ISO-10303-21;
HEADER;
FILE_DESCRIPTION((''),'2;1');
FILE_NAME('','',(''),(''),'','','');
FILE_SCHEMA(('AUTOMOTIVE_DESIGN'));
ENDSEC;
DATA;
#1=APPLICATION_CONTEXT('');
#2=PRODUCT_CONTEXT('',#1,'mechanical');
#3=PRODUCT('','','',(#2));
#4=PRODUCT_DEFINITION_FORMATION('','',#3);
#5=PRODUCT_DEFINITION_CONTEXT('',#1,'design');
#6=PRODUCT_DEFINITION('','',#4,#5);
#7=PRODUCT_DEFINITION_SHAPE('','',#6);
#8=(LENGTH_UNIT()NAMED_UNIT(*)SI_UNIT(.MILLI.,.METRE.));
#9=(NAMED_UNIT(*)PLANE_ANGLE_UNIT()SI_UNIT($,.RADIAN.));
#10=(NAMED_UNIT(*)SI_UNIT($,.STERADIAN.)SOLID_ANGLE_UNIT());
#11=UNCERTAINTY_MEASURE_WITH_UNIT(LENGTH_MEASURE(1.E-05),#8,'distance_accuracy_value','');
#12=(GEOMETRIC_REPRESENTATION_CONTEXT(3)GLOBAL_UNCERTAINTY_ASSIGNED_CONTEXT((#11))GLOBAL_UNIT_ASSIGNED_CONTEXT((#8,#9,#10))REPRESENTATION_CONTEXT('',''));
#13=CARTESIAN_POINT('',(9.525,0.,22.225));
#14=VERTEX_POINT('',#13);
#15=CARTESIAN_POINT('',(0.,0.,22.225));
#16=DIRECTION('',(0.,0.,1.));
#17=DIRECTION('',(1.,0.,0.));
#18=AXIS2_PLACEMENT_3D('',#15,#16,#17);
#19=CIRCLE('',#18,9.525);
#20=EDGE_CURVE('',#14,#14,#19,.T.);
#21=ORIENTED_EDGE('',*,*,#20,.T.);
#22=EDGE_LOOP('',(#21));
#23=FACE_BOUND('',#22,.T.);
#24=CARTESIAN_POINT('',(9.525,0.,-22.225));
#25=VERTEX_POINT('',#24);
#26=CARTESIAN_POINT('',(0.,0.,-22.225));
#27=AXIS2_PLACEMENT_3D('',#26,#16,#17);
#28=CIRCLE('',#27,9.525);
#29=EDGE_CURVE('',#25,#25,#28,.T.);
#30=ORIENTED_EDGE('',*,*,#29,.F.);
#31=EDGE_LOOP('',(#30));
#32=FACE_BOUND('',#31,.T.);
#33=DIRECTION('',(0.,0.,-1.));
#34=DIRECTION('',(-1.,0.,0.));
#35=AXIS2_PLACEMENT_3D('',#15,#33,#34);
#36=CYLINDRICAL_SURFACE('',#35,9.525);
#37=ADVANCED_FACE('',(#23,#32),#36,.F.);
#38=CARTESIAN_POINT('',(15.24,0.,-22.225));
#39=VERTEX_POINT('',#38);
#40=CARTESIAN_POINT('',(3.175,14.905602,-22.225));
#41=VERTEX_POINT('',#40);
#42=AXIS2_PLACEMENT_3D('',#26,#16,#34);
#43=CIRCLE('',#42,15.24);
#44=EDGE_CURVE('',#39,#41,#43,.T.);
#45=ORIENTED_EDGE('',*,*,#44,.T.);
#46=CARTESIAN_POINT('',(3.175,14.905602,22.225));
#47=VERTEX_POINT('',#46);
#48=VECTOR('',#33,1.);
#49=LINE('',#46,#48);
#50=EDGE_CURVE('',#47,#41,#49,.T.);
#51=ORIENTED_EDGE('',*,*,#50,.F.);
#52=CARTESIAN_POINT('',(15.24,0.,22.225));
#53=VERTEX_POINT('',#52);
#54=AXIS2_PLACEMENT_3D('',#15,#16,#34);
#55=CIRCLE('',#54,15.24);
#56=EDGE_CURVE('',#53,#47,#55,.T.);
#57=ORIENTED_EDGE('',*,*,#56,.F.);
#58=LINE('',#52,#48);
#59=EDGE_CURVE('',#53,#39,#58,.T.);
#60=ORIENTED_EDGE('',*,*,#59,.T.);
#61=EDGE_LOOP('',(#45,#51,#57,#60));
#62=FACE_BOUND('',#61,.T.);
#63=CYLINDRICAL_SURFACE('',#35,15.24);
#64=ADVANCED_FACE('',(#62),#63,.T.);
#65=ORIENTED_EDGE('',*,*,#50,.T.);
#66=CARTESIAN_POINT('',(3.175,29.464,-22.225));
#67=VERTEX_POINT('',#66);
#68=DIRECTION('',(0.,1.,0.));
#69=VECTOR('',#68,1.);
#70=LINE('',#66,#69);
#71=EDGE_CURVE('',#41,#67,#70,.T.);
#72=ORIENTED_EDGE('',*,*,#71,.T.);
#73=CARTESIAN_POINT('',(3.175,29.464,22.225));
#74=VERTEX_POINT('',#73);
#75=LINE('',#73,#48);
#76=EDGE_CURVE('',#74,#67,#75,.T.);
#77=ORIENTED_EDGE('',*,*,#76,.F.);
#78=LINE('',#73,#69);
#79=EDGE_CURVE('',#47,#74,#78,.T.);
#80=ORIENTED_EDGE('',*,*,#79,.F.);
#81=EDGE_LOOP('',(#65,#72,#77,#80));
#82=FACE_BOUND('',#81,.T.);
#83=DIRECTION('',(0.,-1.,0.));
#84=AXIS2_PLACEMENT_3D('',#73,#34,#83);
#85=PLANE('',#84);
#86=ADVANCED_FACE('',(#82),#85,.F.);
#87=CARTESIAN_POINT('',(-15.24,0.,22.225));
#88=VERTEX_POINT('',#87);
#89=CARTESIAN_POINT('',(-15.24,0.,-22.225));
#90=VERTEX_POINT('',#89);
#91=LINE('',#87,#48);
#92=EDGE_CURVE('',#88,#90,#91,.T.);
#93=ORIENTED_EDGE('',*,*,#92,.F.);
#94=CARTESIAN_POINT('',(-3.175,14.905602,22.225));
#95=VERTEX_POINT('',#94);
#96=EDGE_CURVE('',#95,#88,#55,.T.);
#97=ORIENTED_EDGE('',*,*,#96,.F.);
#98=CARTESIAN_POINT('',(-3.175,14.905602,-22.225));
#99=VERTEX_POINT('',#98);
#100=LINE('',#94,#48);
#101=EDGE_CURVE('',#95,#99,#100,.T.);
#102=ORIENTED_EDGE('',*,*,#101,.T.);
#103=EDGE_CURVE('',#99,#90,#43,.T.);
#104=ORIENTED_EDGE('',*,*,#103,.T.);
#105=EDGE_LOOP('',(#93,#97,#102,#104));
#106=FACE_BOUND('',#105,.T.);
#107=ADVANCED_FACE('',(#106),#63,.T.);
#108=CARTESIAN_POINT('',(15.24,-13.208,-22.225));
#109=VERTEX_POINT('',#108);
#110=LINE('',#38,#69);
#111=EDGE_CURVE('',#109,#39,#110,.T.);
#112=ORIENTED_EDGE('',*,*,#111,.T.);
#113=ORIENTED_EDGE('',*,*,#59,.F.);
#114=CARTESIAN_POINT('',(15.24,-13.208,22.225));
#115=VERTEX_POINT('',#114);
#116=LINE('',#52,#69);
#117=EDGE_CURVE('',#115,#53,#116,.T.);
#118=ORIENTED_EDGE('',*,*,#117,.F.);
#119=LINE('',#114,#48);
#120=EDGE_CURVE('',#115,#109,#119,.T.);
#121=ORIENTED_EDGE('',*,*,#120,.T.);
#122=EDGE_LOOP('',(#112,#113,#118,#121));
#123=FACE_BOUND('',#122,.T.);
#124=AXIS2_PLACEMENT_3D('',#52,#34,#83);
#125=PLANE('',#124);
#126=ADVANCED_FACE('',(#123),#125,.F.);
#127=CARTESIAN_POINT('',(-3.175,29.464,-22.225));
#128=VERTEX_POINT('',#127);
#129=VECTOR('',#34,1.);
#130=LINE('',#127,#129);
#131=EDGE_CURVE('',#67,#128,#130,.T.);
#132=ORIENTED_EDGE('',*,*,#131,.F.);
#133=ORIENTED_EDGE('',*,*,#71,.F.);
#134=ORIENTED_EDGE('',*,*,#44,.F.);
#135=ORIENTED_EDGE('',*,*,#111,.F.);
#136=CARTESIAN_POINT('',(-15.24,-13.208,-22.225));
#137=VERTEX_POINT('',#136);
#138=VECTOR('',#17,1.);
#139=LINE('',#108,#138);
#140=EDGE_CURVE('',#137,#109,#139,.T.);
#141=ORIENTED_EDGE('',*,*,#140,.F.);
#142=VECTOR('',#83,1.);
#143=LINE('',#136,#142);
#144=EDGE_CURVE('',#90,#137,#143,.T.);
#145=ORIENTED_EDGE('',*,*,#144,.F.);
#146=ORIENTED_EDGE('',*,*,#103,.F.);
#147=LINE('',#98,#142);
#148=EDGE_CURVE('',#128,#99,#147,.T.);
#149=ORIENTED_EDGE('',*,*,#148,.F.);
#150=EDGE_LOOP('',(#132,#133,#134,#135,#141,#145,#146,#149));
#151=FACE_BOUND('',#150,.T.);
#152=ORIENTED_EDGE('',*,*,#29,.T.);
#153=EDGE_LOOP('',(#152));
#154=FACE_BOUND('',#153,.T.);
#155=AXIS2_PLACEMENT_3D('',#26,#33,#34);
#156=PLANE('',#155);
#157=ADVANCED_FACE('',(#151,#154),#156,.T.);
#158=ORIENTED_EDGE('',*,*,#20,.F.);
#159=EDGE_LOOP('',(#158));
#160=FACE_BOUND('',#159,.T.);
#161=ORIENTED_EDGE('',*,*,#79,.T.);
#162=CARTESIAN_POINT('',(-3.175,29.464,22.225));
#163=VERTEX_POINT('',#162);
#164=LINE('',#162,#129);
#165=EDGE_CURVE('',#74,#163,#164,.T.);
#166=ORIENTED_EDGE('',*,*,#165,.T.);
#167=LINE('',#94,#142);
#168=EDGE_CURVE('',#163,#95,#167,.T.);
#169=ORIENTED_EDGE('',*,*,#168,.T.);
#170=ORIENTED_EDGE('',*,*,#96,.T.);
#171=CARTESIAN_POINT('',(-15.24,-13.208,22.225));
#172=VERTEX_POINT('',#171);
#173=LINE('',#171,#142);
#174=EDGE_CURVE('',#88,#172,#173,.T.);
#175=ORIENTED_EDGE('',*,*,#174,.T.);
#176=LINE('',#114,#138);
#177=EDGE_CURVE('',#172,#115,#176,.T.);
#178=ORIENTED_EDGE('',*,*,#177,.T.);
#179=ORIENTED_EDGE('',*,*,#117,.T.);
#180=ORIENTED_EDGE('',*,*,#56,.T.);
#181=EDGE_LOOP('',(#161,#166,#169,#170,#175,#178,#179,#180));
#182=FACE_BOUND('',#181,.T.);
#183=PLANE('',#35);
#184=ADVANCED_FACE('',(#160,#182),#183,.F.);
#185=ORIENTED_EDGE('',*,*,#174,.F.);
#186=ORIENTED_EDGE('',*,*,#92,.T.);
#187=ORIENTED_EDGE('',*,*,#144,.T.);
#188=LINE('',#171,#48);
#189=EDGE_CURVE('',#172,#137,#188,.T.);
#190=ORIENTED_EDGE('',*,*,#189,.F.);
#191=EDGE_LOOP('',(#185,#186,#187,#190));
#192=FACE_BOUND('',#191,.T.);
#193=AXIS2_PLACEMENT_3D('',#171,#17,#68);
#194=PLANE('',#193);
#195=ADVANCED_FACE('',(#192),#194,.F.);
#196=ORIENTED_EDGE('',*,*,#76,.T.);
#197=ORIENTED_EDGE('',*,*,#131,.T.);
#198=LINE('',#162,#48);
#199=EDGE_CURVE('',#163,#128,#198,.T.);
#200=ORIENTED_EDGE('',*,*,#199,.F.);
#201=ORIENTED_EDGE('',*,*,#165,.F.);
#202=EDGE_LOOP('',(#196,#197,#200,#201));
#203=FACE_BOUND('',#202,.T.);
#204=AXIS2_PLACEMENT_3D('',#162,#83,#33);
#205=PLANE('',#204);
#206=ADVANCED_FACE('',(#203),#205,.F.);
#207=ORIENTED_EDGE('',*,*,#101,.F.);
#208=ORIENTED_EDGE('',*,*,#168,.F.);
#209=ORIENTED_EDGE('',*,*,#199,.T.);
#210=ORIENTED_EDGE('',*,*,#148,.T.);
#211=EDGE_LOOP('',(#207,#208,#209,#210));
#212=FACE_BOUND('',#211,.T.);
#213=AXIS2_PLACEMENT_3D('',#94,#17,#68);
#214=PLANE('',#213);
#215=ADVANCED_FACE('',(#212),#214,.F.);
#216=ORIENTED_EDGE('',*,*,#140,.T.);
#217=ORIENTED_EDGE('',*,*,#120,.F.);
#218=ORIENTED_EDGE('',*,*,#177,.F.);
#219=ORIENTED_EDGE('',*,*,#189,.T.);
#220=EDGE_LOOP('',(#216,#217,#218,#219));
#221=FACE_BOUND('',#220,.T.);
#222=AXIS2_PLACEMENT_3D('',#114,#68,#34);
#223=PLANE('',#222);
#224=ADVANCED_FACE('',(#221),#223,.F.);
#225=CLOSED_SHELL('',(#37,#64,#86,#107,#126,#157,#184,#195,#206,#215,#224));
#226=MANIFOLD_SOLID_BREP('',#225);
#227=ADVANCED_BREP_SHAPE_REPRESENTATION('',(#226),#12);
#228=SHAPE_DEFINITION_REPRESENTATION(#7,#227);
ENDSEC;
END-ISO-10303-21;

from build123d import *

# Parameters (mm, degrees)
SKETCH1_R           = 9.525
BOSS_EXTRUDE1_DEPTH = 22.225


with BuildPart() as part:
    # Sketch1 → Boss-Extrude1 (new, symmetric)
    with BuildSketch(Plane.XY):
        with BuildLine():
            Line((15.24, -13.208), (-15.24, -13.208))
            Line((-15.24, -13.208), (-15.24, 0))
            ThreePointArc((-15.24, 0), (-11.845771397, 9.588289733), (-3.175, 14.905602135))
            Line((-3.175, 14.905602135), (-3.175, 29.464))
            Line((-3.175, 29.464), (3.175, 29.464))
            Line((3.175, 29.464), (3.175, 14.905602135))
            ThreePointArc((3.175, 14.905602135), (11.845771397, 9.588289733), (15.24, 0))
            Line((15.24, 0), (15.24, -13.208))
        make_face()
        Circle(SKETCH1_R, mode=Mode.SUBTRACT)
    extrude(amount=BOSS_EXTRUDE1_DEPTH, both=True)


solid = part.part
